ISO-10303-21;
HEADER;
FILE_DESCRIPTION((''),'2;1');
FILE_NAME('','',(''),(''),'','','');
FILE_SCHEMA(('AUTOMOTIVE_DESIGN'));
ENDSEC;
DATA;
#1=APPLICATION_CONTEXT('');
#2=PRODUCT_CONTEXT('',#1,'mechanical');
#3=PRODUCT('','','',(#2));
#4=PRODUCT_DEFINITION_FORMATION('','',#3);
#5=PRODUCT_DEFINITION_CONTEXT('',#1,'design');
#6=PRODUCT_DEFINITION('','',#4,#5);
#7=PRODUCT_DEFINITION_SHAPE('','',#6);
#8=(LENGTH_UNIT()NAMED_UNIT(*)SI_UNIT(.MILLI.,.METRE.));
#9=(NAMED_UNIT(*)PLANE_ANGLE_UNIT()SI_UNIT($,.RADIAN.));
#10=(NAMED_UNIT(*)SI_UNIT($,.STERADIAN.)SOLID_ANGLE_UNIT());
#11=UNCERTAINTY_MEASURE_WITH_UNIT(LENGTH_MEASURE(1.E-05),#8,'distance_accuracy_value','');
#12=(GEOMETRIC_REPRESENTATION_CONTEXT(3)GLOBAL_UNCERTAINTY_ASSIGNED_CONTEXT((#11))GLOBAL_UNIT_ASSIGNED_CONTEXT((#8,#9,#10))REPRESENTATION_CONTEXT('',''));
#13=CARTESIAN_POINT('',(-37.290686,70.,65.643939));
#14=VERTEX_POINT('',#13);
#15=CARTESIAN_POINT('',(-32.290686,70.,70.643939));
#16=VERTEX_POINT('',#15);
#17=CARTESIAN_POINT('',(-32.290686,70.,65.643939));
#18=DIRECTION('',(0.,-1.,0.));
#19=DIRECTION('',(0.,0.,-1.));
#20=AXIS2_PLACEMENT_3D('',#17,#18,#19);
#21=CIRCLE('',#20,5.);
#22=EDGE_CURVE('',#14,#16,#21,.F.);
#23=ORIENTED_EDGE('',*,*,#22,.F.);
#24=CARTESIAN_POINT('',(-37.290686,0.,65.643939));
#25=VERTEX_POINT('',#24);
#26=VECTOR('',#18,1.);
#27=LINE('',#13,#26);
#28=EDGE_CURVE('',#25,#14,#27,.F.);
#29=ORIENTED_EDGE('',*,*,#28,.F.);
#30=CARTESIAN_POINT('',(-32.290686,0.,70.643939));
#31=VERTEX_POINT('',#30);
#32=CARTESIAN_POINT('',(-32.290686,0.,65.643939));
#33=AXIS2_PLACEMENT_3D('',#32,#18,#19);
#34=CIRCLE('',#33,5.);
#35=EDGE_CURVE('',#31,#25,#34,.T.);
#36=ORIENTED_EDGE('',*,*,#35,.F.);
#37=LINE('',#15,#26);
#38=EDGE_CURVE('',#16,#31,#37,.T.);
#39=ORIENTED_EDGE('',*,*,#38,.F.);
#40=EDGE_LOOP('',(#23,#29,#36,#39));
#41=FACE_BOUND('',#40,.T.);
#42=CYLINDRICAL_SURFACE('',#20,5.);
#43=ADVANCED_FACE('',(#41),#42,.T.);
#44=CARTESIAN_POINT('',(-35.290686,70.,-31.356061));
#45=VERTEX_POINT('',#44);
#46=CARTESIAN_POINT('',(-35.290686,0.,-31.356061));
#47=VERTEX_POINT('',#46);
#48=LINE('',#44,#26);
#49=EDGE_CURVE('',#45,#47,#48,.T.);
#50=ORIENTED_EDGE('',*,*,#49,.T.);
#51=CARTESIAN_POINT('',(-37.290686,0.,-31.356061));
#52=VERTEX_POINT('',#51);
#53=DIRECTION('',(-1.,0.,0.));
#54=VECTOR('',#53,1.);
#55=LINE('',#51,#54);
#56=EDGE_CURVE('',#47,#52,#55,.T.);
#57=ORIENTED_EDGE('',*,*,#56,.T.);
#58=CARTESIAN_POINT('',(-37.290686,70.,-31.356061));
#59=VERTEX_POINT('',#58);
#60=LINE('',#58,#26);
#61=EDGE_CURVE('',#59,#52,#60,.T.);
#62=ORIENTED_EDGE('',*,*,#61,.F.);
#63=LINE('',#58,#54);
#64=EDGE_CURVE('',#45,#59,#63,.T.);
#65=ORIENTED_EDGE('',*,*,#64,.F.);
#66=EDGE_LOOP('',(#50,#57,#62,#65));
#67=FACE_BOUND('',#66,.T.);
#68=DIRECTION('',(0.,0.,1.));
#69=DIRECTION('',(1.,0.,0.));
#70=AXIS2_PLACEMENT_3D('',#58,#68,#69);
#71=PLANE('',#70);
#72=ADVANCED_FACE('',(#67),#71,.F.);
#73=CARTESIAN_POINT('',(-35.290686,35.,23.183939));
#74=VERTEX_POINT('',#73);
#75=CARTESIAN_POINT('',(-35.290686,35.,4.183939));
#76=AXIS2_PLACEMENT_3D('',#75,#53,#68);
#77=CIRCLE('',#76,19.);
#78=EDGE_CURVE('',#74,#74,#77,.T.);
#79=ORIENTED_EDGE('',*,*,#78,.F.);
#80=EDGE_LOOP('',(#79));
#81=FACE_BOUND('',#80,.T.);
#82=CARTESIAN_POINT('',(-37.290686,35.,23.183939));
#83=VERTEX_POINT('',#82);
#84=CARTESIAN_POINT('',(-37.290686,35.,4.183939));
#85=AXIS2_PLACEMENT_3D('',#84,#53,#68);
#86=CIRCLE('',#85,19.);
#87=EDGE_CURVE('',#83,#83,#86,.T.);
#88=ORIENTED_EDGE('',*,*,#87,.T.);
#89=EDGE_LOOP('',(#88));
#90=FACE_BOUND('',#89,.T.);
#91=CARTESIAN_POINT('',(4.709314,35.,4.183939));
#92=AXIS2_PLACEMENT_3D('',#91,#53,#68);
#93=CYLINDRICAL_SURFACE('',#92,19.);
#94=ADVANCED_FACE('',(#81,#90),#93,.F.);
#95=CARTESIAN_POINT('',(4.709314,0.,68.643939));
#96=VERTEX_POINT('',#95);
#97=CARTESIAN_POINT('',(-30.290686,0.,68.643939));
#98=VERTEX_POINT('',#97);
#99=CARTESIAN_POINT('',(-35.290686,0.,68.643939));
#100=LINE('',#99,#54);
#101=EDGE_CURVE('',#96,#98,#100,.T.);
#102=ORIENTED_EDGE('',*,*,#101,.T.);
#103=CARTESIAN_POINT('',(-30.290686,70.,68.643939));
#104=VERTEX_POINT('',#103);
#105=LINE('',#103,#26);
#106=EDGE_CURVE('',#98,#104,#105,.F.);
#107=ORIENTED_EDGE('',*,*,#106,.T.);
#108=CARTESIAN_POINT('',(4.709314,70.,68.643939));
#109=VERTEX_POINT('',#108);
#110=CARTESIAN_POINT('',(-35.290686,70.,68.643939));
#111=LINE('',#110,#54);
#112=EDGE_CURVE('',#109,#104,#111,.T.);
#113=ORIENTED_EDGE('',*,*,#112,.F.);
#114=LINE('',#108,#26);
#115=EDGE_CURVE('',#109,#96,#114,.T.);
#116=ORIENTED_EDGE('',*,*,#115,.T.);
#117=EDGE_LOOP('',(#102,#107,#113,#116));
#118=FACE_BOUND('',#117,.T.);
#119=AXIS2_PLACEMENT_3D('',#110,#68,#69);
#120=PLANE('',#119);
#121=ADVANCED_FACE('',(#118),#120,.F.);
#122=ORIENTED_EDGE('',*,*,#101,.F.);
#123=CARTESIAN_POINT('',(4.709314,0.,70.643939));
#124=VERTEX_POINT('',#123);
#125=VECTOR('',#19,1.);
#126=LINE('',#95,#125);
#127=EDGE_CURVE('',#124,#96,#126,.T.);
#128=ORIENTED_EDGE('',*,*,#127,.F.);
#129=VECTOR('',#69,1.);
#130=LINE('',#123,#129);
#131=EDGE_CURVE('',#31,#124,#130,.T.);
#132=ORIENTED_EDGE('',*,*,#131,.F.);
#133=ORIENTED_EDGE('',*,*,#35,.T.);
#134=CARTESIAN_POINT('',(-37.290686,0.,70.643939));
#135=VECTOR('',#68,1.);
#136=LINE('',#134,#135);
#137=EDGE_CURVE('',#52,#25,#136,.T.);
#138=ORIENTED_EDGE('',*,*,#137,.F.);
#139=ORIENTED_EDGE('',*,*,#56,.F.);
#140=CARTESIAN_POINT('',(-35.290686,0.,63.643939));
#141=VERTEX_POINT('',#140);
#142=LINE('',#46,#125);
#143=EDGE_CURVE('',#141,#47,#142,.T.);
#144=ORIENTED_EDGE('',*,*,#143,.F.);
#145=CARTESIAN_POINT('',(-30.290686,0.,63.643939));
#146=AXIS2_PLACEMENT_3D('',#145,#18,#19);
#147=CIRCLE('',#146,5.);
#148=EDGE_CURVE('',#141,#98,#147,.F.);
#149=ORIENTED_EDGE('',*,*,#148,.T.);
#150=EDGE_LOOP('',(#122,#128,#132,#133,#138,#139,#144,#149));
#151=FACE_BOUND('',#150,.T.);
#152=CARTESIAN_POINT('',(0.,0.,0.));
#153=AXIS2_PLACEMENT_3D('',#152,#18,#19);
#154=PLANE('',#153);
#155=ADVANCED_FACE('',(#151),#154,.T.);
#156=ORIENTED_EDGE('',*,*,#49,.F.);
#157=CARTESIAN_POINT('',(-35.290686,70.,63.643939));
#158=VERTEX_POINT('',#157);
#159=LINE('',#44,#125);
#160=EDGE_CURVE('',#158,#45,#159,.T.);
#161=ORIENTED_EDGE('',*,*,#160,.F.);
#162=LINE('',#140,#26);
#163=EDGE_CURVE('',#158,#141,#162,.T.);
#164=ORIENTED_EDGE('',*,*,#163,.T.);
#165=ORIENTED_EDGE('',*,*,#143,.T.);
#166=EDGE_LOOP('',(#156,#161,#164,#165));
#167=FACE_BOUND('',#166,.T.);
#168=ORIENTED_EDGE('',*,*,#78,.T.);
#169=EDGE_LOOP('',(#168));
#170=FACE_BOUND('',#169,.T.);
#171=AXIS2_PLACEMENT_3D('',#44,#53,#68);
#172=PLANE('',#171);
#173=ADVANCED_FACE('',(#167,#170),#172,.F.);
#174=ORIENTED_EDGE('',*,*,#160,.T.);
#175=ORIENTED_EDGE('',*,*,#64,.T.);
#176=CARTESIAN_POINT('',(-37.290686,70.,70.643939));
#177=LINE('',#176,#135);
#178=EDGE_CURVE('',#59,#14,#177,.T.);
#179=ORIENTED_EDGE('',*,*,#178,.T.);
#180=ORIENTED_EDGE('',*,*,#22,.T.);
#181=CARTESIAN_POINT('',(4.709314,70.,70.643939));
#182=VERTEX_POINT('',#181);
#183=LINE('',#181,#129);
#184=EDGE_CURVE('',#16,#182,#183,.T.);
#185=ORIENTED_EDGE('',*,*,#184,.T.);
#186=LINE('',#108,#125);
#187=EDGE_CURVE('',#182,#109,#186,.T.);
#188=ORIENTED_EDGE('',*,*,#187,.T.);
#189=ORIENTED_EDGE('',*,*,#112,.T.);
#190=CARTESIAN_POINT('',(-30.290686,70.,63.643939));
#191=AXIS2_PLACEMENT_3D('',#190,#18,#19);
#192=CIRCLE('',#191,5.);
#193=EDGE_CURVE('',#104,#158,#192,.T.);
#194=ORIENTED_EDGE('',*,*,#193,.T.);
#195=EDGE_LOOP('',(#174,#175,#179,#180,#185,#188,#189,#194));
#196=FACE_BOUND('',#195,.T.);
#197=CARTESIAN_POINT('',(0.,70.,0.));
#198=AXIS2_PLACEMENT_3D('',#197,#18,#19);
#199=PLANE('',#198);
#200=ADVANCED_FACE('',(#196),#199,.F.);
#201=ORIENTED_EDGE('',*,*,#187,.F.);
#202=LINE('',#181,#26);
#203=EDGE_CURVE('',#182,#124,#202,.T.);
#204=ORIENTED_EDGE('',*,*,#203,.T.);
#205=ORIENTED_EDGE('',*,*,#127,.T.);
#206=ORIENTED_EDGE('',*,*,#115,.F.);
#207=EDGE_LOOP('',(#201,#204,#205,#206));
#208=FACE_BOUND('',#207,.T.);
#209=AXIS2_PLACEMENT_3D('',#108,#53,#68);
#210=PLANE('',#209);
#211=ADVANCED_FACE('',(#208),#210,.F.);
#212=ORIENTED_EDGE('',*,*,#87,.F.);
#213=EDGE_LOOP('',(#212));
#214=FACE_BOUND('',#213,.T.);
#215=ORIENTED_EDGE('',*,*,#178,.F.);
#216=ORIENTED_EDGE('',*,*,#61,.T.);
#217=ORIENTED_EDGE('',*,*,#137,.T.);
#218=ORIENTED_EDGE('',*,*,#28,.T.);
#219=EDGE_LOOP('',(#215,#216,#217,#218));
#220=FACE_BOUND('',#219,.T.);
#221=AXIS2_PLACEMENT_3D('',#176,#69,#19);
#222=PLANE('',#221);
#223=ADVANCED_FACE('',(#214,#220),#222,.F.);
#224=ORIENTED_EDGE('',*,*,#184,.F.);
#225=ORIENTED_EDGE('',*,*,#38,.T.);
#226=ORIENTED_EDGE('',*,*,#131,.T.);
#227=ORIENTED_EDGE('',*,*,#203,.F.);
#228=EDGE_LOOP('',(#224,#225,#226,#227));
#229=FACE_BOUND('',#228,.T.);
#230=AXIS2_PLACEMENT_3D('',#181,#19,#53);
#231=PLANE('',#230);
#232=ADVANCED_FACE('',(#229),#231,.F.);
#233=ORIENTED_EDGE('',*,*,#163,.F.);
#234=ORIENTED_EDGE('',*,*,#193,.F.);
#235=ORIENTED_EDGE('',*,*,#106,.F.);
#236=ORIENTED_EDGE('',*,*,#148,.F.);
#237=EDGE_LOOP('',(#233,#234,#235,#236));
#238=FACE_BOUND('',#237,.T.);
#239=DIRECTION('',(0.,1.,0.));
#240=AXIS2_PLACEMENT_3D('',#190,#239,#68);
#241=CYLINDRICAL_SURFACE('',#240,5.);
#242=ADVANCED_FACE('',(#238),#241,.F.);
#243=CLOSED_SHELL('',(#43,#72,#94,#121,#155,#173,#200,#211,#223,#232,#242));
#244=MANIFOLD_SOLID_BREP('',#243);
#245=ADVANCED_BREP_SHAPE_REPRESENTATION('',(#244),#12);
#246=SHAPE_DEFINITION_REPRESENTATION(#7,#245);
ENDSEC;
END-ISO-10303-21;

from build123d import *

# Parameters (mm, degrees)
BOSS_EXTRUDE1_DEPTH = 70
SKETCH2_R           = 19
CUT_EXTRUDE1_DEPTH  = 108.956316041
FILLET1_R           = 5


with BuildPart() as part:
    # Sketch1 → Boss-Extrude1 (new body)
    with BuildSketch(Plane(origin=(0, 0, 0), x_dir=(1, 0, 0), z_dir=(0, 1, 0))):
        Polygon((-37.290686498, 31.356060606), (-35.290686498, 31.356060606), (-35.290686498, -68.643939394), (4.709313502, -68.643939394), (4.709313502, -70.643939394), (-37.290686498, -70.643939394), align=None)
    extrude(amount=BOSS_EXTRUDE1_DEPTH)

    # Sketch2 → Cut-Extrude1 (cut, through all)
    with BuildSketch(Plane.ZY.offset(37.290686498)):
        with Locations((4.183939394, 35)):
            Circle(SKETCH2_R)
    extrude(amount=-CUT_EXTRUDE1_DEPTH, mode=Mode.SUBTRACT)

    # Fillet1
    fillet1_edges = [part.edges().sort_by_distance(p)[0] for p in [
        (-35.290686498, 35, 68.643939394),
        (-37.290686498, 35, 70.643939394),
    ]]
    fillet(fillet1_edges, radius=FILLET1_R)


solid = part.part
